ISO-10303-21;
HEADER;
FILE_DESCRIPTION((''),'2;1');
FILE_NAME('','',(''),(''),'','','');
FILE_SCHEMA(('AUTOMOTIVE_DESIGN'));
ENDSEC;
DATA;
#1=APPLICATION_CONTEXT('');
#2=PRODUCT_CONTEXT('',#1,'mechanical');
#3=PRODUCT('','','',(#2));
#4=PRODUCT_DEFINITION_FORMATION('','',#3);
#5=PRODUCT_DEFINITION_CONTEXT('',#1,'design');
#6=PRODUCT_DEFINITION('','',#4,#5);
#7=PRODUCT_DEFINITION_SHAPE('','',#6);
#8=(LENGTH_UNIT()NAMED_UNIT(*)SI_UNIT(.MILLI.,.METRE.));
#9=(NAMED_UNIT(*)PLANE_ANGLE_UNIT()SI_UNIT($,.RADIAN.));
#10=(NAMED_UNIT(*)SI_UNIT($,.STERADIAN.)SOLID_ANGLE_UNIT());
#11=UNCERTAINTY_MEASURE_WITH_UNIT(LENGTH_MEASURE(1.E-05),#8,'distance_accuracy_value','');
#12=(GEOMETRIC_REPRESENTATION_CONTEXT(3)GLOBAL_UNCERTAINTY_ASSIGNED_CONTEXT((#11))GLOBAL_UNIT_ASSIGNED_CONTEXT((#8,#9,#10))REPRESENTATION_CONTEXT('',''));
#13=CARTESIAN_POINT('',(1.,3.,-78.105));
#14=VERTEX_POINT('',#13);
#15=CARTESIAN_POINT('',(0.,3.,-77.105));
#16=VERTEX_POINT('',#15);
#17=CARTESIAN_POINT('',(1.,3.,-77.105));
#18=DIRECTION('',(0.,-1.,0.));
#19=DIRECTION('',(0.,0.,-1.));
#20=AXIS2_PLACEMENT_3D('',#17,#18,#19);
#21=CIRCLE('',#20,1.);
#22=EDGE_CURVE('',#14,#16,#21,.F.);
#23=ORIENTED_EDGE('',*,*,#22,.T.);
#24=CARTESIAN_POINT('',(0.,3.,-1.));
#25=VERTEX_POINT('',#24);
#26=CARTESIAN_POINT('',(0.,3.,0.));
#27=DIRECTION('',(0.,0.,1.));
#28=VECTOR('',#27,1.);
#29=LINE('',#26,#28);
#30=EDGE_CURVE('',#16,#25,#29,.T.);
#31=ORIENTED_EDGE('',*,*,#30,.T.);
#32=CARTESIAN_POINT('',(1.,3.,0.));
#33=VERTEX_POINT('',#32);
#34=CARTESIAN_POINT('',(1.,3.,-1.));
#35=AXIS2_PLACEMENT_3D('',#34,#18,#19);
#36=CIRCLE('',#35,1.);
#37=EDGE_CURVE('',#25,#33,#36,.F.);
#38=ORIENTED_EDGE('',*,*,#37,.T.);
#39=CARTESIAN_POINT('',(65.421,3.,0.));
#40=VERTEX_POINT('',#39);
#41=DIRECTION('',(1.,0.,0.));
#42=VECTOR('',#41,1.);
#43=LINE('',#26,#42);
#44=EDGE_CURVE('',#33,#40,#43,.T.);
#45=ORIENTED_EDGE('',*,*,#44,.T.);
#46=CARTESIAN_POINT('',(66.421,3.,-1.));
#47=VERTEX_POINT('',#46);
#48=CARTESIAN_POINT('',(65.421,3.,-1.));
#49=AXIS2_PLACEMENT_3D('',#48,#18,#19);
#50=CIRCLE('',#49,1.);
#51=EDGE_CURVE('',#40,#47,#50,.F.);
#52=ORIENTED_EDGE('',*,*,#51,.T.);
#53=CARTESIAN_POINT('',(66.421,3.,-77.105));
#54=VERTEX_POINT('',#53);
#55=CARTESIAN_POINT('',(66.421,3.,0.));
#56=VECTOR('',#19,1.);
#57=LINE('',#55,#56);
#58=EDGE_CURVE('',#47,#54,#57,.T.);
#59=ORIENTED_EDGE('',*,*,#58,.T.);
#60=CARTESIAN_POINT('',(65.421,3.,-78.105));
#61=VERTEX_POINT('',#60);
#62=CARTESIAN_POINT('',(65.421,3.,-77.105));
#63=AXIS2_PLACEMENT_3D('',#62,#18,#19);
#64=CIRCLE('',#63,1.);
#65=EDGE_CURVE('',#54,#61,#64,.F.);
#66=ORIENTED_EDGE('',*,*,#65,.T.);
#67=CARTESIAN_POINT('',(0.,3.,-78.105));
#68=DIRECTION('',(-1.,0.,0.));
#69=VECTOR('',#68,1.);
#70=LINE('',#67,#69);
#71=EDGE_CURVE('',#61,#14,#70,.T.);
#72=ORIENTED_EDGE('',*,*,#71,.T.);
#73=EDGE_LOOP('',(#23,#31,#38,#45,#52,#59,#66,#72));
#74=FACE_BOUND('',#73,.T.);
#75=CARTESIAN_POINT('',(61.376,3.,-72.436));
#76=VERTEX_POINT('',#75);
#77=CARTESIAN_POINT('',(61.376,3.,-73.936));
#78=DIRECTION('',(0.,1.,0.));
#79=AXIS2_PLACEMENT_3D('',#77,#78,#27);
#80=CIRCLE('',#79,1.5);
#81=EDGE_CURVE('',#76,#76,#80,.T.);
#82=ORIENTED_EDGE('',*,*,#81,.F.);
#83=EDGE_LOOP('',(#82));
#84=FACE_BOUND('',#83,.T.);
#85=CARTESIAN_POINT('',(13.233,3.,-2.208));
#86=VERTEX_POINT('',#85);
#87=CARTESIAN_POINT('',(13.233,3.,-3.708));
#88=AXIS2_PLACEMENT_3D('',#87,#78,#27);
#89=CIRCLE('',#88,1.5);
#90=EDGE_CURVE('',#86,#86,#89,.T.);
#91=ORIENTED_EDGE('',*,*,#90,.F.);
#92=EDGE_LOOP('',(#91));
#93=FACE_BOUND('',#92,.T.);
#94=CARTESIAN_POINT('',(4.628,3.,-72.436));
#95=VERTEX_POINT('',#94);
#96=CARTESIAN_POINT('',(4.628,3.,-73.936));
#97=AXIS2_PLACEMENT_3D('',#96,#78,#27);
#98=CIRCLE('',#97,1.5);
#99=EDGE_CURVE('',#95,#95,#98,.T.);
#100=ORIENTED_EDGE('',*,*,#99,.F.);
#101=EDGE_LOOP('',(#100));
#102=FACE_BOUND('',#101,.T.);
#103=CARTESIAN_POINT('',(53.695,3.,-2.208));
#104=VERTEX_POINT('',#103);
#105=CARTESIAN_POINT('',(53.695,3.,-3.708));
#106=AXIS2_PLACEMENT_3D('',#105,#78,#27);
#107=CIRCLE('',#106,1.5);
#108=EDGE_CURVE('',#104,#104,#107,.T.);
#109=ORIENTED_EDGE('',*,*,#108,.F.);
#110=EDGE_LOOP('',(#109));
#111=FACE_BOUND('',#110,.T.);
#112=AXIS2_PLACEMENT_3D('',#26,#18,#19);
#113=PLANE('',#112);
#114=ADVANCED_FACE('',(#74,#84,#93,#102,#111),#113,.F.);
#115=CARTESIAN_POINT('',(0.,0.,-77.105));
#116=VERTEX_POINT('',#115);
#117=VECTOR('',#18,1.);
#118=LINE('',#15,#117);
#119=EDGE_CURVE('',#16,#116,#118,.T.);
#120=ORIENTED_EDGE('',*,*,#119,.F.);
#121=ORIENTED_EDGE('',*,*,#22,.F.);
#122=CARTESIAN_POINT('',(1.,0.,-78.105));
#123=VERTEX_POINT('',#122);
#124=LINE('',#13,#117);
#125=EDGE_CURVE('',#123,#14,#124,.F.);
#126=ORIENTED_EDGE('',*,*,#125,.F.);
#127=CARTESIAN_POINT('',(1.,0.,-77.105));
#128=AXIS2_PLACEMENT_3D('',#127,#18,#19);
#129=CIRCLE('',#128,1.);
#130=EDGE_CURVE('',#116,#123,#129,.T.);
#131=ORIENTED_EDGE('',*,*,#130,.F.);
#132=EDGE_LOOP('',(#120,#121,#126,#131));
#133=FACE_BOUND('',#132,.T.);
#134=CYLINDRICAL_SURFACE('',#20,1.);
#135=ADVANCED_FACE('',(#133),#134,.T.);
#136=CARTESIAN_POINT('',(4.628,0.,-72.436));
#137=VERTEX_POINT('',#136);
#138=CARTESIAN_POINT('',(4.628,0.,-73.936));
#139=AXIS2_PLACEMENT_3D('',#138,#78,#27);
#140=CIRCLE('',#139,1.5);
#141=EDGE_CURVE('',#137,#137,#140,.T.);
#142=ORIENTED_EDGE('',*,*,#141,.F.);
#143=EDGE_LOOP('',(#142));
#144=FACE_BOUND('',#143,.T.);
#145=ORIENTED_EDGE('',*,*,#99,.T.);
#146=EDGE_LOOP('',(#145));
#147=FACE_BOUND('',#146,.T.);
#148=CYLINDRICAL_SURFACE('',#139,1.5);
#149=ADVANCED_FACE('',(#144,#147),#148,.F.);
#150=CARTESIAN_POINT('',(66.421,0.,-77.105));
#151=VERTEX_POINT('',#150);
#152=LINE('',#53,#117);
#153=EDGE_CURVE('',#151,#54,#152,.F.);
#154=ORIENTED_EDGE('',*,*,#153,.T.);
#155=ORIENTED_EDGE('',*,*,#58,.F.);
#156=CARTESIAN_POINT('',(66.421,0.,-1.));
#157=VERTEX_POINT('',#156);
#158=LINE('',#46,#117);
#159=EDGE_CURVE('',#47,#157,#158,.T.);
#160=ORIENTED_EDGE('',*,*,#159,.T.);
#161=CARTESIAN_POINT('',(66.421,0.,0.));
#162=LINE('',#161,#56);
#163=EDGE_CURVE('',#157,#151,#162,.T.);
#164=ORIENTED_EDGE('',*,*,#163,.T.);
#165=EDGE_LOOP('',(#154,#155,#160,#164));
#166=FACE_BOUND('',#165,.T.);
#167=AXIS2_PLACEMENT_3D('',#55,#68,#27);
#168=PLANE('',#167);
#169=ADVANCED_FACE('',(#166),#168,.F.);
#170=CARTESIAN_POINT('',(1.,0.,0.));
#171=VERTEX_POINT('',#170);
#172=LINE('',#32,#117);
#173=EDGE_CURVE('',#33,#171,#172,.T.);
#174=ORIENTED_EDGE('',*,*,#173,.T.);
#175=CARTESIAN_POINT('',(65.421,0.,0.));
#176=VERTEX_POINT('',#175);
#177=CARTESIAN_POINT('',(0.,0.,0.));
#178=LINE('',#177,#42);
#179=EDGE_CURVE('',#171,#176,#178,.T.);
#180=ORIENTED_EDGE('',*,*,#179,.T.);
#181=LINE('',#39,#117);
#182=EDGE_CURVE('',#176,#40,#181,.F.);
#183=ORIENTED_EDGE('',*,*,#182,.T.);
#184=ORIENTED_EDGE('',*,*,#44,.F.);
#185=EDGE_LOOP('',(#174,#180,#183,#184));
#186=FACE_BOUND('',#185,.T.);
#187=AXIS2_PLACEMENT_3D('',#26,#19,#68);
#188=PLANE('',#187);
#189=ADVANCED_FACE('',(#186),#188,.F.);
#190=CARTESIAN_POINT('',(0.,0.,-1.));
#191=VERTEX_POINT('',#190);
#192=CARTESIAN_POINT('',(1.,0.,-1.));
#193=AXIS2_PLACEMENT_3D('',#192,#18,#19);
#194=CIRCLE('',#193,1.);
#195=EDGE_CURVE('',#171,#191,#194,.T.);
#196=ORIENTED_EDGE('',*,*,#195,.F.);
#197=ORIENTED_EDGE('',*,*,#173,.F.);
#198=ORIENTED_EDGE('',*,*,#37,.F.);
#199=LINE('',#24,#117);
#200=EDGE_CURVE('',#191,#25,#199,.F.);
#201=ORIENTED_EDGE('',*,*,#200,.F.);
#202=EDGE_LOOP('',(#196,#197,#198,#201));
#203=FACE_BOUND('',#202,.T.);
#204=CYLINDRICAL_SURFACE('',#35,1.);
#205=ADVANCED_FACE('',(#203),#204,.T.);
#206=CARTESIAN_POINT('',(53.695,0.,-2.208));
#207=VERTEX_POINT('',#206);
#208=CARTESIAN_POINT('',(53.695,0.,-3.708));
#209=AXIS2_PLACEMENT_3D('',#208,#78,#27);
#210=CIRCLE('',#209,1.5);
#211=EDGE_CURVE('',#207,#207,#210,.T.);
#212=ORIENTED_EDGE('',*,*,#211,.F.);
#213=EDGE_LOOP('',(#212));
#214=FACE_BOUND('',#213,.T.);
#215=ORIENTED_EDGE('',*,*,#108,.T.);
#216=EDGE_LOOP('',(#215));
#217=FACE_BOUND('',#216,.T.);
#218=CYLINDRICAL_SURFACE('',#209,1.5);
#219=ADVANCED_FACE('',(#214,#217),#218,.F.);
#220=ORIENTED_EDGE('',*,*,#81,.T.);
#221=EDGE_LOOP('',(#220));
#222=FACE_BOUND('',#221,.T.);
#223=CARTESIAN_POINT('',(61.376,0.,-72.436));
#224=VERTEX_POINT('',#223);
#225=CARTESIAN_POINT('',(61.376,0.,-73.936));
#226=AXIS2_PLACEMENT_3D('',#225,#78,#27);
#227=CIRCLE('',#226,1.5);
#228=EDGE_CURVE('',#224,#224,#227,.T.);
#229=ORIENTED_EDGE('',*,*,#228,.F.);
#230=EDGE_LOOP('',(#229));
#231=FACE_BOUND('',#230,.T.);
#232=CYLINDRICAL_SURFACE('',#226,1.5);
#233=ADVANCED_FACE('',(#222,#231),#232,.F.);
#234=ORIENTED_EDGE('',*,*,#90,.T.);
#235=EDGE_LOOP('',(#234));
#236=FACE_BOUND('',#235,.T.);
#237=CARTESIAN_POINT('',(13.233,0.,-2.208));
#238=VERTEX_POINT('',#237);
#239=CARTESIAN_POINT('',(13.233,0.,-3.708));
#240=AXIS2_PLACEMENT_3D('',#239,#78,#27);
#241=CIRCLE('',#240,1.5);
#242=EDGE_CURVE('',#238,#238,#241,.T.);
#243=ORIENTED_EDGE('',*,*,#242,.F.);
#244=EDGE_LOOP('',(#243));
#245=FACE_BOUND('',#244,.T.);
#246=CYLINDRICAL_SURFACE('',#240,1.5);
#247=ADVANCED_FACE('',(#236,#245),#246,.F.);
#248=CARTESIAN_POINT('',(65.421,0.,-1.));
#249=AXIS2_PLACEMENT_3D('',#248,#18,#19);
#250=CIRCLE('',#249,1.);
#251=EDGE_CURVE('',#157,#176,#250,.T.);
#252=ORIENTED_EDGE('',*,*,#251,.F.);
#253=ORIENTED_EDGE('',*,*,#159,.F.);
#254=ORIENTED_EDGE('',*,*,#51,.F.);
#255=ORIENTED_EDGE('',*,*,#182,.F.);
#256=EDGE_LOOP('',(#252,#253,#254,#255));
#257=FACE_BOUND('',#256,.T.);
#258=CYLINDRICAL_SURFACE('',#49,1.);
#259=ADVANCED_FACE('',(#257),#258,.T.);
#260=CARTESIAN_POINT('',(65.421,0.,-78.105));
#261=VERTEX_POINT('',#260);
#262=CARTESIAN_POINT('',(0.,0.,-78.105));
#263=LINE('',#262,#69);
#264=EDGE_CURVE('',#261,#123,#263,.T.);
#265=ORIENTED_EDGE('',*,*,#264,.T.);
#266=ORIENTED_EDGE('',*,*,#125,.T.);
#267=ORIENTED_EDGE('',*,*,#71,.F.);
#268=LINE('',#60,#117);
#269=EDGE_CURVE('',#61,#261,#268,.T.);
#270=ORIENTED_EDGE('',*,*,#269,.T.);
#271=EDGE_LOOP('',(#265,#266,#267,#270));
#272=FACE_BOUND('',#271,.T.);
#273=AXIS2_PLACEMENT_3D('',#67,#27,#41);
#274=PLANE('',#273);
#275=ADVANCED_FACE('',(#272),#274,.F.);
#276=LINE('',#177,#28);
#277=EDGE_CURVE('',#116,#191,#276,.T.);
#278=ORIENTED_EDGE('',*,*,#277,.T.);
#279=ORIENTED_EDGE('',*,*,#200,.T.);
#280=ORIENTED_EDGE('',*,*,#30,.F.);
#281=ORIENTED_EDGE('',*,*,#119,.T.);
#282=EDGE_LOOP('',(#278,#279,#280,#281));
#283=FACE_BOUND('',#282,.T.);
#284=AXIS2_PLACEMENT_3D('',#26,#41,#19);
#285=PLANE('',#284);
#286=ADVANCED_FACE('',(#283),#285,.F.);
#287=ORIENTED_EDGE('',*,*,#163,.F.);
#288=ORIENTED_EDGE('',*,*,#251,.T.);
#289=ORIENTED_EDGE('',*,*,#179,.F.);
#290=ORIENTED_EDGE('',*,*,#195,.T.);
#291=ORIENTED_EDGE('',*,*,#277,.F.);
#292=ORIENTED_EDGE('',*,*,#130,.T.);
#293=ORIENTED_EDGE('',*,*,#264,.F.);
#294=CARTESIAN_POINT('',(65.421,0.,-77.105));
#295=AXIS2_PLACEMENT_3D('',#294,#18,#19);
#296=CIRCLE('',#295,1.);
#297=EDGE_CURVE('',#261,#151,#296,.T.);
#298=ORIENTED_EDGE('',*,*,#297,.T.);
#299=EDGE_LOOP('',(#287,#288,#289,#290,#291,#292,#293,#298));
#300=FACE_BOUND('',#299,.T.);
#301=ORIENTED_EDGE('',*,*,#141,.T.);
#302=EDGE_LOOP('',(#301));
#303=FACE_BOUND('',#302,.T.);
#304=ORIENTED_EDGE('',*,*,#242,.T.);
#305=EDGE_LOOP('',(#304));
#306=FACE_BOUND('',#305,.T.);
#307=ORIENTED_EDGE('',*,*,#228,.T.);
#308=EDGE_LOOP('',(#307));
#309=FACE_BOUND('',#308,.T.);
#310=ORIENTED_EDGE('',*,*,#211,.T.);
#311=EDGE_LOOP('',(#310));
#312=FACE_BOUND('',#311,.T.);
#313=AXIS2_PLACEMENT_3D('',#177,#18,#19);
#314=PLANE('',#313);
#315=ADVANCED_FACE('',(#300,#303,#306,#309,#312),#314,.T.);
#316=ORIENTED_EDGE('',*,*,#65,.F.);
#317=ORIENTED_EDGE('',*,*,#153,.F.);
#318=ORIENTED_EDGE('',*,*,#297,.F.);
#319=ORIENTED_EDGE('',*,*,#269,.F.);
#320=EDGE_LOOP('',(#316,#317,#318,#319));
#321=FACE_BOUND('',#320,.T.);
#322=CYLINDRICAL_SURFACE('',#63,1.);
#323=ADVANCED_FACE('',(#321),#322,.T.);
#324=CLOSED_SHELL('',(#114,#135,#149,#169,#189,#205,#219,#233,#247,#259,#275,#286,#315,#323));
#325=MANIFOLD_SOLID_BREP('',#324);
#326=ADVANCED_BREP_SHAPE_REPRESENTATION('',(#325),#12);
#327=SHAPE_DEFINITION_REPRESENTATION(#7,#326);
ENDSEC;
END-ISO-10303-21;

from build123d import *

# Parameters (mm, degrees)
SKETCH1_W           = 66.421
SKETCH1_H           = 78.105
BOSS_EXTRUDE1_DEPTH = 3
SKETCH2_R           = 1.5
CUT_EXTRUDE1_DEPTH  = 3
FILLET1_R           = 1


with BuildPart() as part:
    # Sketch1 → Boss-Extrude1 (new body)
    with BuildSketch(Plane(origin=(0, 0, 0), x_dir=(1, 0, 0), z_dir=(0, 1, 0))):
        with Locations((33.2105, 39.0525)):
            Rectangle(SKETCH1_W, SKETCH1_H)
    extrude(amount=BOSS_EXTRUDE1_DEPTH)

    # Sketch2 → Cut-Extrude1 (cut)
    with BuildSketch(Plane(origin=(0, 3, 0), x_dir=(1, 0, 0), z_dir=(0, 1, 0))):
        with Locations(Location((4.628, 73.936, 0), (0, 0, 270))):
            Circle(SKETCH2_R)
        with Locations(Location((61.376, 73.936, 0), (0, 0, 270))):
            Circle(SKETCH2_R)
        with Locations(Location((13.233, 3.708, 0), (0, 0, 270))):
            Circle(SKETCH2_R)
        with Locations(Location((53.695, 3.708, 0), (0, 0, 270))):
            Circle(SKETCH2_R)
    extrude(amount=-CUT_EXTRUDE1_DEPTH, mode=Mode.SUBTRACT)

    # Fillet1
    fillet1_edges = [part.edges().sort_by_distance(p)[0] for p in [
        (0, 1.5, -78.105),
        (66.421, 1.5, -78.105),
        (66.421, 1.5, 0),
        (0, 1.5, 0),
    ]]
    fillet(fillet1_edges, radius=FILLET1_R)


solid = part.part
